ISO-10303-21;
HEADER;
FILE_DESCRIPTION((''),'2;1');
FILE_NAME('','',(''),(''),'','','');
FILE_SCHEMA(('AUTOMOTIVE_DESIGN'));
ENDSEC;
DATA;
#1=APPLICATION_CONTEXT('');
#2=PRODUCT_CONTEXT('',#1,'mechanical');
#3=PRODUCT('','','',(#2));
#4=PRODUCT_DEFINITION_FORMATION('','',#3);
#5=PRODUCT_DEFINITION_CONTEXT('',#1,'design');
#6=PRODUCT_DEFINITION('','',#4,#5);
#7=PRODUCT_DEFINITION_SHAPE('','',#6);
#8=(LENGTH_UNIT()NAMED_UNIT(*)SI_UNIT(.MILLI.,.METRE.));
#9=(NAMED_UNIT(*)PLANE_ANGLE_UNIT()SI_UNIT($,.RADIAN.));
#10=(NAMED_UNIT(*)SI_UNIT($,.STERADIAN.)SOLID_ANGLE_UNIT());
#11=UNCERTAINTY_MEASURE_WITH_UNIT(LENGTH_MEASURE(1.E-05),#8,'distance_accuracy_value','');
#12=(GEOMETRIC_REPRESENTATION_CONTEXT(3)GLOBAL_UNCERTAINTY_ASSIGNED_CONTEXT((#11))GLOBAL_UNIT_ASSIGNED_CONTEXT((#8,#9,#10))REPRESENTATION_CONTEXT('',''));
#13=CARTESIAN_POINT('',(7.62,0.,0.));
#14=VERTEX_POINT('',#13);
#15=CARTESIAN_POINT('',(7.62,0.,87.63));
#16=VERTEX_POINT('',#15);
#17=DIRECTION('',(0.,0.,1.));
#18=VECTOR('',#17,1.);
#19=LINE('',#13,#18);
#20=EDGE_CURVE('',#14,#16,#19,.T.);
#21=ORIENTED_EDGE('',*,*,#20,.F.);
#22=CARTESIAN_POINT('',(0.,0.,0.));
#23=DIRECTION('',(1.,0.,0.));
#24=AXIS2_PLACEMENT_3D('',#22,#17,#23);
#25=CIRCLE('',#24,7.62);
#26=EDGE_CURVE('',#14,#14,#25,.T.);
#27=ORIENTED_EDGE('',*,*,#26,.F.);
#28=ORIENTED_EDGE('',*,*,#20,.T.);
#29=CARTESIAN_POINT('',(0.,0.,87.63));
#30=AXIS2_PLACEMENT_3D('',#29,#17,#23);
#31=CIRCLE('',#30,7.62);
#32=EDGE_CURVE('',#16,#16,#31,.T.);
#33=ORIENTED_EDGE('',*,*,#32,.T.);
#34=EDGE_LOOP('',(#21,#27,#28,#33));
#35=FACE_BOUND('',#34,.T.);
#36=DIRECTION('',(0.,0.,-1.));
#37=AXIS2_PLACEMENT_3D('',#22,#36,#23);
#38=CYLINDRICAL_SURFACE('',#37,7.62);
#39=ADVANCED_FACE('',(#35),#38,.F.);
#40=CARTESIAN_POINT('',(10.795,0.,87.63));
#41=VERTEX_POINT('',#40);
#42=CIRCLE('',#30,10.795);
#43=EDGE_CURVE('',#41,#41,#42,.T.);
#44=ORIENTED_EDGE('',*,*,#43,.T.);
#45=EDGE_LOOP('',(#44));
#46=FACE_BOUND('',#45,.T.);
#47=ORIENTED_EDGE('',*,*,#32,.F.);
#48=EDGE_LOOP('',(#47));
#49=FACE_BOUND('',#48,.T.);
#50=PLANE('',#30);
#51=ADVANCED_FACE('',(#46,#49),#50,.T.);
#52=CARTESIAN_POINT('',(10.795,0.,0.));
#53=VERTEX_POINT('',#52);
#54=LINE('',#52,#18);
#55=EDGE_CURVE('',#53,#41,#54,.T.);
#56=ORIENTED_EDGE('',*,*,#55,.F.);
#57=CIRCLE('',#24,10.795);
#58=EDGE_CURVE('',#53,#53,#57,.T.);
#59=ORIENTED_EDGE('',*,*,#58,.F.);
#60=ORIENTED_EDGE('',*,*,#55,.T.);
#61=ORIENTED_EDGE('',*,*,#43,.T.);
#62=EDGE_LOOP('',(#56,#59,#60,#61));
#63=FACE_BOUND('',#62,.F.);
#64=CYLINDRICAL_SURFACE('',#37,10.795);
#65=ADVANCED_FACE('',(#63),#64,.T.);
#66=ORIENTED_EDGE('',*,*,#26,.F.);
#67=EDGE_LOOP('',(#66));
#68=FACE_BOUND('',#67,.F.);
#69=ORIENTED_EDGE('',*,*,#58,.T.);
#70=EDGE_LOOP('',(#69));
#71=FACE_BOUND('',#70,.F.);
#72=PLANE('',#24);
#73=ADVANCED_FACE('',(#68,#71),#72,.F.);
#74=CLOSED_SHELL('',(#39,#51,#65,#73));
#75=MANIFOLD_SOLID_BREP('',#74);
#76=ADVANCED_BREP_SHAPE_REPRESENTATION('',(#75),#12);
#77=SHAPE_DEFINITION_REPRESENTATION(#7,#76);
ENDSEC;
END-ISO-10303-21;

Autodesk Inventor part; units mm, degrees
ref_plane "YZ Plane" through (0, 0, 0) normal (1, 0, 0) x (0, 1, 0)
ref_plane "XZ Plane" through (0, 0, 0) normal (0, 1, 0) x (-1, 0, 0)
ref_plane "XY Plane" through (0, 0, 0) normal (0, 0, 1) x (1, 0, 0)
sketch "Sketch1" plane through (0, 0, 0) normal (0, 0, 1) x (1, 0, 0)
  circle A0 centre (0, 0) radius 10.795
  circle A1 centre (0, 0) radius 7.62
  dimension "d0" = 21.59
  dimension "d2" = 15.24
extrude "Extrusion1" add sketch "Sketch1" along normal blind 87.63
properties part number "3.45 in Pipe" material "PVC-Piping"
